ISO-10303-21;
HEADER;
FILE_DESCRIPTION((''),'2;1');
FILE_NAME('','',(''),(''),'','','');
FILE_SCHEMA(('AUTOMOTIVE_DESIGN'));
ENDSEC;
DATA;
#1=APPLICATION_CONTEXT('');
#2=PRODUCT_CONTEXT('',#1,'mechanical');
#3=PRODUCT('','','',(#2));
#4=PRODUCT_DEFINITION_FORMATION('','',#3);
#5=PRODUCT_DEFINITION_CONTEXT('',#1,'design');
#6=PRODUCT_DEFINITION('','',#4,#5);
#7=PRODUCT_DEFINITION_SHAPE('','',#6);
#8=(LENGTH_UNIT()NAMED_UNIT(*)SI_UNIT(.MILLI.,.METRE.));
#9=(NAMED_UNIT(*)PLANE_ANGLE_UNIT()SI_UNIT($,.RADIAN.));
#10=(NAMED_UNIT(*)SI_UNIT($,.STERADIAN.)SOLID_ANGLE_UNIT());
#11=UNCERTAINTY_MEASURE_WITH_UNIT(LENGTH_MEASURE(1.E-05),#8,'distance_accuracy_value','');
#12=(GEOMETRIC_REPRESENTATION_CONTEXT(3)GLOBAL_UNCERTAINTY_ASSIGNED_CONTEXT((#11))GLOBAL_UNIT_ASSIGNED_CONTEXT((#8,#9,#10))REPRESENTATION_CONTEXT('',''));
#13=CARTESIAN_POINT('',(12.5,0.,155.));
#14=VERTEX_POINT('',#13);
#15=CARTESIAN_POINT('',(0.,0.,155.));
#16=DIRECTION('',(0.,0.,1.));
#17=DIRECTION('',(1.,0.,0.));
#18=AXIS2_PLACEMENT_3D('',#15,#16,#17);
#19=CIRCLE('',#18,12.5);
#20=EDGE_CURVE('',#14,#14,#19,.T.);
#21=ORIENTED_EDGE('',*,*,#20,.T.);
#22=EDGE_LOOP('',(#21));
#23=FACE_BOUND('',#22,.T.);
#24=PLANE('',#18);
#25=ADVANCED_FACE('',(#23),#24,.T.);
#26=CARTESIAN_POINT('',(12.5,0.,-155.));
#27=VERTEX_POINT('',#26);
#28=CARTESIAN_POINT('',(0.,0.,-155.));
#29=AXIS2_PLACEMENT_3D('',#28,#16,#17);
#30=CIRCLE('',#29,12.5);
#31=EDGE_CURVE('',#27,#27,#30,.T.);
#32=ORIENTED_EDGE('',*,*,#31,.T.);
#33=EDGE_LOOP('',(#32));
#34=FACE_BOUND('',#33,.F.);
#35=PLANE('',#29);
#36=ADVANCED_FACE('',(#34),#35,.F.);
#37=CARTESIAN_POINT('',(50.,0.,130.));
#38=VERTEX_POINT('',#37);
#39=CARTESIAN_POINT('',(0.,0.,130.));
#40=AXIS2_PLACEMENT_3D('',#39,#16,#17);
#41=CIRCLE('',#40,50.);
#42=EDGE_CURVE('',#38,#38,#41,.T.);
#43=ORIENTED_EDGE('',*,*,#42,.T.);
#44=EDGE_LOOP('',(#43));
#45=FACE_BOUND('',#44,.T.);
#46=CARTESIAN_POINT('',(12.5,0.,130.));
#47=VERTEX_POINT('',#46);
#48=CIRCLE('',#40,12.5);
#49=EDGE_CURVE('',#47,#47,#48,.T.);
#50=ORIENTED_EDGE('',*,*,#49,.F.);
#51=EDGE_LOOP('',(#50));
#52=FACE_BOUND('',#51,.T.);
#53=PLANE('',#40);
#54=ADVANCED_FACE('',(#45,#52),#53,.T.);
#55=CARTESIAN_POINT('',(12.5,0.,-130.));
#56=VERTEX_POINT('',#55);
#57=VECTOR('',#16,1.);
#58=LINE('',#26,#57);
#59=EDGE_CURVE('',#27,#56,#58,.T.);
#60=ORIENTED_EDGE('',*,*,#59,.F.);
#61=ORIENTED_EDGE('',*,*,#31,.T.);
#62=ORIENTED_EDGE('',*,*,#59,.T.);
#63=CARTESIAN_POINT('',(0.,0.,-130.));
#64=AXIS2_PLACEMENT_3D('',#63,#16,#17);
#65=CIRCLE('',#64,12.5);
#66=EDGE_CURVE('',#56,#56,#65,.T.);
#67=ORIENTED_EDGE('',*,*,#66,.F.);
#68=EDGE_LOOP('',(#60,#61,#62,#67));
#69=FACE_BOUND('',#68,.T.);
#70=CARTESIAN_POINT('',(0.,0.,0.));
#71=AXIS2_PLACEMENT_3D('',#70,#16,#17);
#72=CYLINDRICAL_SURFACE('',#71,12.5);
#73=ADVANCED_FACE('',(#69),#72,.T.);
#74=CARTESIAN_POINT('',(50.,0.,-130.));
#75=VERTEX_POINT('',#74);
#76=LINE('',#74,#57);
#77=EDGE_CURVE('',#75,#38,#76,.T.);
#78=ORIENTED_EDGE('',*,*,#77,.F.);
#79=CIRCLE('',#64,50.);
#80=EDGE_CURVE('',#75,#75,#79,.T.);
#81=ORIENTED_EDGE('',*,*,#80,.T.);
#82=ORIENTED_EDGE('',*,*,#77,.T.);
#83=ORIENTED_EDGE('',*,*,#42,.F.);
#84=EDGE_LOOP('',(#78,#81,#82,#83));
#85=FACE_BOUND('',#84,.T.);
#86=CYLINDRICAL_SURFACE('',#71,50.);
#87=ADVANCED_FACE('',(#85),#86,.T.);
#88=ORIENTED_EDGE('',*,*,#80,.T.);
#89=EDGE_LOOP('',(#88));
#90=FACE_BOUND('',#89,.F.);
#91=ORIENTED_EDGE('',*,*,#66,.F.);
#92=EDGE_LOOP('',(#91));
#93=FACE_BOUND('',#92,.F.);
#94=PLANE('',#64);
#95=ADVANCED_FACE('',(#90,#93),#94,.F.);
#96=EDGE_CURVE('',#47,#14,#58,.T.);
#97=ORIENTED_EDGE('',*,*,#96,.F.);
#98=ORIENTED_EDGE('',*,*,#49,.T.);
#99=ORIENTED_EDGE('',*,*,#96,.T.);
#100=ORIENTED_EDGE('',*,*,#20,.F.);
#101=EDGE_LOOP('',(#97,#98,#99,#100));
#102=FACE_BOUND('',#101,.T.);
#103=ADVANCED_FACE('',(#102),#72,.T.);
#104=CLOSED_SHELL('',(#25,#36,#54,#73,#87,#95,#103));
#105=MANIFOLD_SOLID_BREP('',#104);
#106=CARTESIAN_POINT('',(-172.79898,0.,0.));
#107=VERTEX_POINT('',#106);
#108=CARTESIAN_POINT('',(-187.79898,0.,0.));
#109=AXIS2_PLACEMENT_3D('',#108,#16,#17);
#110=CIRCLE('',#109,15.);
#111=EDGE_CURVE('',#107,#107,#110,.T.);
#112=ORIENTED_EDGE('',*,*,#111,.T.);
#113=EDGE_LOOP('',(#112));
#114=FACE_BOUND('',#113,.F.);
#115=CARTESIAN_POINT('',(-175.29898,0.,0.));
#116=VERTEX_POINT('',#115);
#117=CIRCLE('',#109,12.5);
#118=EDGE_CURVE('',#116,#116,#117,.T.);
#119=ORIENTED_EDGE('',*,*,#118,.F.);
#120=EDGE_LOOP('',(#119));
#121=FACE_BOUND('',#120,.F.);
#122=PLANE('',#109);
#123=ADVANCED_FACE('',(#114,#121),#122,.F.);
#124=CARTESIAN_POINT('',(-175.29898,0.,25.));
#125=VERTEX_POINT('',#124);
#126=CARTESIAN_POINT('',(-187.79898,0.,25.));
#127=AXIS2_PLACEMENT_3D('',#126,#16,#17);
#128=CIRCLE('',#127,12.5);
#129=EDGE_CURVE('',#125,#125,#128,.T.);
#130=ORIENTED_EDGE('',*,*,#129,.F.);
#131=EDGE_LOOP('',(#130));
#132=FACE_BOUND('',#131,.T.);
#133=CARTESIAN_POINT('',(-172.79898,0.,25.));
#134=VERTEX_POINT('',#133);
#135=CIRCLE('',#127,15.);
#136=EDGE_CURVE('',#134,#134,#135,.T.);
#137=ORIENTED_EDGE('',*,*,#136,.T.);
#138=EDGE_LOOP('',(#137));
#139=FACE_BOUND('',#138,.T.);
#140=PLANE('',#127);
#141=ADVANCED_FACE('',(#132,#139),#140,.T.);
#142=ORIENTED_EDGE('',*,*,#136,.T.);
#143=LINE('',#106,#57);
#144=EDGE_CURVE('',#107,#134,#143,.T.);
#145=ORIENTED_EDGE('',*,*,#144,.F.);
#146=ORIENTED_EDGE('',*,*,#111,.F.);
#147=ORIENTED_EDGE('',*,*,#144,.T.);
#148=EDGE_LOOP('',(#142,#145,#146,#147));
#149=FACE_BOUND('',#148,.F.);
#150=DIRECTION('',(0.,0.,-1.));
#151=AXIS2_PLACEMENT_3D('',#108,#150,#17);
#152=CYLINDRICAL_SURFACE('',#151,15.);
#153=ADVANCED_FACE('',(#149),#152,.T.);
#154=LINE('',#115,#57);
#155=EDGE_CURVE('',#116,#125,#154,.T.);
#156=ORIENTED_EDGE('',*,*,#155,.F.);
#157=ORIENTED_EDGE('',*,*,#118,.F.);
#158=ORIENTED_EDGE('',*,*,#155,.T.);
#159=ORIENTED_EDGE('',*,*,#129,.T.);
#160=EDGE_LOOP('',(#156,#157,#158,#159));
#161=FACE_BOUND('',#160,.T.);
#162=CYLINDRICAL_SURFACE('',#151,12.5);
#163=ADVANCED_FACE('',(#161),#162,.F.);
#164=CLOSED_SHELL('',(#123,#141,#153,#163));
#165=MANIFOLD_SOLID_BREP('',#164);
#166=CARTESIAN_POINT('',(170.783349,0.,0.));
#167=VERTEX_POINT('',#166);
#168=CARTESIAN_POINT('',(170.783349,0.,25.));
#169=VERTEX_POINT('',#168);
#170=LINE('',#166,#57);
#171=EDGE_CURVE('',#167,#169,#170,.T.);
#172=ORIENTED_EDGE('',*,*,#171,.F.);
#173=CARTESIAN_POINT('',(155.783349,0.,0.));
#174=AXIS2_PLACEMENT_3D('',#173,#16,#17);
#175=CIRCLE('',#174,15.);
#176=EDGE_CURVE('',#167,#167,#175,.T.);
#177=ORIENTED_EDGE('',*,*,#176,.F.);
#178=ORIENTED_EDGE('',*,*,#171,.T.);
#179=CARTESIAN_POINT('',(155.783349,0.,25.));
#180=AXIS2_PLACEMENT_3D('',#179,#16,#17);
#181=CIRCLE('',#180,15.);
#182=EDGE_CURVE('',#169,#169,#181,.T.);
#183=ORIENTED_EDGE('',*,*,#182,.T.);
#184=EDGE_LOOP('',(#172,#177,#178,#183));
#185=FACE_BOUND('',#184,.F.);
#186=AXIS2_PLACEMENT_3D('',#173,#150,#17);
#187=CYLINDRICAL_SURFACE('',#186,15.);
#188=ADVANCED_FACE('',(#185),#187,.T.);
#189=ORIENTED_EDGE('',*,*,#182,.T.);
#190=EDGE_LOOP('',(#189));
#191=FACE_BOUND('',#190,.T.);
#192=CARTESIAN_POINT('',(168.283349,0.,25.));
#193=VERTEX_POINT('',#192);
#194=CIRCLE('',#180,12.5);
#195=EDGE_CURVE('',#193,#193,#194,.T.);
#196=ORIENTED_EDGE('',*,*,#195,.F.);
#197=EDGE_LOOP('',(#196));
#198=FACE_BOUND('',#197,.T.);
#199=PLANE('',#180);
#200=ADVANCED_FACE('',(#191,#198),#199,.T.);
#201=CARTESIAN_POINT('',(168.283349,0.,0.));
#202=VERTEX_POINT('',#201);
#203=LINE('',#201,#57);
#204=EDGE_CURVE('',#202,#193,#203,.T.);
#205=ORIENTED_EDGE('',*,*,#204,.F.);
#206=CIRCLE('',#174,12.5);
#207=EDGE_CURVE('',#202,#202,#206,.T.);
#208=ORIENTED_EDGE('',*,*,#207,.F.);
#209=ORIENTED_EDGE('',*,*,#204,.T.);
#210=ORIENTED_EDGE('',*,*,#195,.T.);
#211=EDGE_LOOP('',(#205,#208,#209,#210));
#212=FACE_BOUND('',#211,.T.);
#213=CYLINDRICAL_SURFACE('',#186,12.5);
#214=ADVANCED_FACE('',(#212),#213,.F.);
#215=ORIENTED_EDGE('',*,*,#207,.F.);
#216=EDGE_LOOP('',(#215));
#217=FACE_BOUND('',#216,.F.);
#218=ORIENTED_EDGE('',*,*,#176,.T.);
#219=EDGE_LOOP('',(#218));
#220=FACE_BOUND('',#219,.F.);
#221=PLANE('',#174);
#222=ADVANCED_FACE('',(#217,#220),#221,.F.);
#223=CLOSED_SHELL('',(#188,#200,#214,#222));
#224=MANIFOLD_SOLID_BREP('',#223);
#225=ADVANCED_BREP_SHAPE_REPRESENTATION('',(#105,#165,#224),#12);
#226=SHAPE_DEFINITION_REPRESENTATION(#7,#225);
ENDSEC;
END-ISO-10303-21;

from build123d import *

# Parameters (mm, degrees)
F0_R     = 12.5
F1_DEPTH = 155
F0_R_2   = 50
F2_DEPTH = 130
F3_R     = 15
F3_R_2   = 12.5
F4_DEPTH = 25


with BuildPart() as f1:
    # F0 (on Top) → F1 (new body, symmetric)
    with BuildSketch(Plane.XY):
        Circle(F0_R)
    extrude(amount=F1_DEPTH, both=True)

    # F0 (on Top) → F2 (join, symmetric)
    with BuildSketch(Plane.XY):
        Circle(F0_R_2)
        Circle(F0_R, mode=Mode.SUBTRACT)
    extrude(amount=F2_DEPTH, both=True)


with BuildPart() as f4:
    # F3 (on Top) → F4 (new body)
    with BuildSketch(Plane.XY):
        with Locations((-187.79898, 0)):
            Circle(F3_R)
        with Locations((-187.79898, 0)):
            Circle(F3_R_2, mode=Mode.SUBTRACT)
        with Locations((155.783349, 0)):
            Circle(F3_R)
        with Locations((155.783349, 0)):
            Circle(F3_R_2, mode=Mode.SUBTRACT)
    extrude(amount=F4_DEPTH)


solid = Compound([f1.part, f4.part])
